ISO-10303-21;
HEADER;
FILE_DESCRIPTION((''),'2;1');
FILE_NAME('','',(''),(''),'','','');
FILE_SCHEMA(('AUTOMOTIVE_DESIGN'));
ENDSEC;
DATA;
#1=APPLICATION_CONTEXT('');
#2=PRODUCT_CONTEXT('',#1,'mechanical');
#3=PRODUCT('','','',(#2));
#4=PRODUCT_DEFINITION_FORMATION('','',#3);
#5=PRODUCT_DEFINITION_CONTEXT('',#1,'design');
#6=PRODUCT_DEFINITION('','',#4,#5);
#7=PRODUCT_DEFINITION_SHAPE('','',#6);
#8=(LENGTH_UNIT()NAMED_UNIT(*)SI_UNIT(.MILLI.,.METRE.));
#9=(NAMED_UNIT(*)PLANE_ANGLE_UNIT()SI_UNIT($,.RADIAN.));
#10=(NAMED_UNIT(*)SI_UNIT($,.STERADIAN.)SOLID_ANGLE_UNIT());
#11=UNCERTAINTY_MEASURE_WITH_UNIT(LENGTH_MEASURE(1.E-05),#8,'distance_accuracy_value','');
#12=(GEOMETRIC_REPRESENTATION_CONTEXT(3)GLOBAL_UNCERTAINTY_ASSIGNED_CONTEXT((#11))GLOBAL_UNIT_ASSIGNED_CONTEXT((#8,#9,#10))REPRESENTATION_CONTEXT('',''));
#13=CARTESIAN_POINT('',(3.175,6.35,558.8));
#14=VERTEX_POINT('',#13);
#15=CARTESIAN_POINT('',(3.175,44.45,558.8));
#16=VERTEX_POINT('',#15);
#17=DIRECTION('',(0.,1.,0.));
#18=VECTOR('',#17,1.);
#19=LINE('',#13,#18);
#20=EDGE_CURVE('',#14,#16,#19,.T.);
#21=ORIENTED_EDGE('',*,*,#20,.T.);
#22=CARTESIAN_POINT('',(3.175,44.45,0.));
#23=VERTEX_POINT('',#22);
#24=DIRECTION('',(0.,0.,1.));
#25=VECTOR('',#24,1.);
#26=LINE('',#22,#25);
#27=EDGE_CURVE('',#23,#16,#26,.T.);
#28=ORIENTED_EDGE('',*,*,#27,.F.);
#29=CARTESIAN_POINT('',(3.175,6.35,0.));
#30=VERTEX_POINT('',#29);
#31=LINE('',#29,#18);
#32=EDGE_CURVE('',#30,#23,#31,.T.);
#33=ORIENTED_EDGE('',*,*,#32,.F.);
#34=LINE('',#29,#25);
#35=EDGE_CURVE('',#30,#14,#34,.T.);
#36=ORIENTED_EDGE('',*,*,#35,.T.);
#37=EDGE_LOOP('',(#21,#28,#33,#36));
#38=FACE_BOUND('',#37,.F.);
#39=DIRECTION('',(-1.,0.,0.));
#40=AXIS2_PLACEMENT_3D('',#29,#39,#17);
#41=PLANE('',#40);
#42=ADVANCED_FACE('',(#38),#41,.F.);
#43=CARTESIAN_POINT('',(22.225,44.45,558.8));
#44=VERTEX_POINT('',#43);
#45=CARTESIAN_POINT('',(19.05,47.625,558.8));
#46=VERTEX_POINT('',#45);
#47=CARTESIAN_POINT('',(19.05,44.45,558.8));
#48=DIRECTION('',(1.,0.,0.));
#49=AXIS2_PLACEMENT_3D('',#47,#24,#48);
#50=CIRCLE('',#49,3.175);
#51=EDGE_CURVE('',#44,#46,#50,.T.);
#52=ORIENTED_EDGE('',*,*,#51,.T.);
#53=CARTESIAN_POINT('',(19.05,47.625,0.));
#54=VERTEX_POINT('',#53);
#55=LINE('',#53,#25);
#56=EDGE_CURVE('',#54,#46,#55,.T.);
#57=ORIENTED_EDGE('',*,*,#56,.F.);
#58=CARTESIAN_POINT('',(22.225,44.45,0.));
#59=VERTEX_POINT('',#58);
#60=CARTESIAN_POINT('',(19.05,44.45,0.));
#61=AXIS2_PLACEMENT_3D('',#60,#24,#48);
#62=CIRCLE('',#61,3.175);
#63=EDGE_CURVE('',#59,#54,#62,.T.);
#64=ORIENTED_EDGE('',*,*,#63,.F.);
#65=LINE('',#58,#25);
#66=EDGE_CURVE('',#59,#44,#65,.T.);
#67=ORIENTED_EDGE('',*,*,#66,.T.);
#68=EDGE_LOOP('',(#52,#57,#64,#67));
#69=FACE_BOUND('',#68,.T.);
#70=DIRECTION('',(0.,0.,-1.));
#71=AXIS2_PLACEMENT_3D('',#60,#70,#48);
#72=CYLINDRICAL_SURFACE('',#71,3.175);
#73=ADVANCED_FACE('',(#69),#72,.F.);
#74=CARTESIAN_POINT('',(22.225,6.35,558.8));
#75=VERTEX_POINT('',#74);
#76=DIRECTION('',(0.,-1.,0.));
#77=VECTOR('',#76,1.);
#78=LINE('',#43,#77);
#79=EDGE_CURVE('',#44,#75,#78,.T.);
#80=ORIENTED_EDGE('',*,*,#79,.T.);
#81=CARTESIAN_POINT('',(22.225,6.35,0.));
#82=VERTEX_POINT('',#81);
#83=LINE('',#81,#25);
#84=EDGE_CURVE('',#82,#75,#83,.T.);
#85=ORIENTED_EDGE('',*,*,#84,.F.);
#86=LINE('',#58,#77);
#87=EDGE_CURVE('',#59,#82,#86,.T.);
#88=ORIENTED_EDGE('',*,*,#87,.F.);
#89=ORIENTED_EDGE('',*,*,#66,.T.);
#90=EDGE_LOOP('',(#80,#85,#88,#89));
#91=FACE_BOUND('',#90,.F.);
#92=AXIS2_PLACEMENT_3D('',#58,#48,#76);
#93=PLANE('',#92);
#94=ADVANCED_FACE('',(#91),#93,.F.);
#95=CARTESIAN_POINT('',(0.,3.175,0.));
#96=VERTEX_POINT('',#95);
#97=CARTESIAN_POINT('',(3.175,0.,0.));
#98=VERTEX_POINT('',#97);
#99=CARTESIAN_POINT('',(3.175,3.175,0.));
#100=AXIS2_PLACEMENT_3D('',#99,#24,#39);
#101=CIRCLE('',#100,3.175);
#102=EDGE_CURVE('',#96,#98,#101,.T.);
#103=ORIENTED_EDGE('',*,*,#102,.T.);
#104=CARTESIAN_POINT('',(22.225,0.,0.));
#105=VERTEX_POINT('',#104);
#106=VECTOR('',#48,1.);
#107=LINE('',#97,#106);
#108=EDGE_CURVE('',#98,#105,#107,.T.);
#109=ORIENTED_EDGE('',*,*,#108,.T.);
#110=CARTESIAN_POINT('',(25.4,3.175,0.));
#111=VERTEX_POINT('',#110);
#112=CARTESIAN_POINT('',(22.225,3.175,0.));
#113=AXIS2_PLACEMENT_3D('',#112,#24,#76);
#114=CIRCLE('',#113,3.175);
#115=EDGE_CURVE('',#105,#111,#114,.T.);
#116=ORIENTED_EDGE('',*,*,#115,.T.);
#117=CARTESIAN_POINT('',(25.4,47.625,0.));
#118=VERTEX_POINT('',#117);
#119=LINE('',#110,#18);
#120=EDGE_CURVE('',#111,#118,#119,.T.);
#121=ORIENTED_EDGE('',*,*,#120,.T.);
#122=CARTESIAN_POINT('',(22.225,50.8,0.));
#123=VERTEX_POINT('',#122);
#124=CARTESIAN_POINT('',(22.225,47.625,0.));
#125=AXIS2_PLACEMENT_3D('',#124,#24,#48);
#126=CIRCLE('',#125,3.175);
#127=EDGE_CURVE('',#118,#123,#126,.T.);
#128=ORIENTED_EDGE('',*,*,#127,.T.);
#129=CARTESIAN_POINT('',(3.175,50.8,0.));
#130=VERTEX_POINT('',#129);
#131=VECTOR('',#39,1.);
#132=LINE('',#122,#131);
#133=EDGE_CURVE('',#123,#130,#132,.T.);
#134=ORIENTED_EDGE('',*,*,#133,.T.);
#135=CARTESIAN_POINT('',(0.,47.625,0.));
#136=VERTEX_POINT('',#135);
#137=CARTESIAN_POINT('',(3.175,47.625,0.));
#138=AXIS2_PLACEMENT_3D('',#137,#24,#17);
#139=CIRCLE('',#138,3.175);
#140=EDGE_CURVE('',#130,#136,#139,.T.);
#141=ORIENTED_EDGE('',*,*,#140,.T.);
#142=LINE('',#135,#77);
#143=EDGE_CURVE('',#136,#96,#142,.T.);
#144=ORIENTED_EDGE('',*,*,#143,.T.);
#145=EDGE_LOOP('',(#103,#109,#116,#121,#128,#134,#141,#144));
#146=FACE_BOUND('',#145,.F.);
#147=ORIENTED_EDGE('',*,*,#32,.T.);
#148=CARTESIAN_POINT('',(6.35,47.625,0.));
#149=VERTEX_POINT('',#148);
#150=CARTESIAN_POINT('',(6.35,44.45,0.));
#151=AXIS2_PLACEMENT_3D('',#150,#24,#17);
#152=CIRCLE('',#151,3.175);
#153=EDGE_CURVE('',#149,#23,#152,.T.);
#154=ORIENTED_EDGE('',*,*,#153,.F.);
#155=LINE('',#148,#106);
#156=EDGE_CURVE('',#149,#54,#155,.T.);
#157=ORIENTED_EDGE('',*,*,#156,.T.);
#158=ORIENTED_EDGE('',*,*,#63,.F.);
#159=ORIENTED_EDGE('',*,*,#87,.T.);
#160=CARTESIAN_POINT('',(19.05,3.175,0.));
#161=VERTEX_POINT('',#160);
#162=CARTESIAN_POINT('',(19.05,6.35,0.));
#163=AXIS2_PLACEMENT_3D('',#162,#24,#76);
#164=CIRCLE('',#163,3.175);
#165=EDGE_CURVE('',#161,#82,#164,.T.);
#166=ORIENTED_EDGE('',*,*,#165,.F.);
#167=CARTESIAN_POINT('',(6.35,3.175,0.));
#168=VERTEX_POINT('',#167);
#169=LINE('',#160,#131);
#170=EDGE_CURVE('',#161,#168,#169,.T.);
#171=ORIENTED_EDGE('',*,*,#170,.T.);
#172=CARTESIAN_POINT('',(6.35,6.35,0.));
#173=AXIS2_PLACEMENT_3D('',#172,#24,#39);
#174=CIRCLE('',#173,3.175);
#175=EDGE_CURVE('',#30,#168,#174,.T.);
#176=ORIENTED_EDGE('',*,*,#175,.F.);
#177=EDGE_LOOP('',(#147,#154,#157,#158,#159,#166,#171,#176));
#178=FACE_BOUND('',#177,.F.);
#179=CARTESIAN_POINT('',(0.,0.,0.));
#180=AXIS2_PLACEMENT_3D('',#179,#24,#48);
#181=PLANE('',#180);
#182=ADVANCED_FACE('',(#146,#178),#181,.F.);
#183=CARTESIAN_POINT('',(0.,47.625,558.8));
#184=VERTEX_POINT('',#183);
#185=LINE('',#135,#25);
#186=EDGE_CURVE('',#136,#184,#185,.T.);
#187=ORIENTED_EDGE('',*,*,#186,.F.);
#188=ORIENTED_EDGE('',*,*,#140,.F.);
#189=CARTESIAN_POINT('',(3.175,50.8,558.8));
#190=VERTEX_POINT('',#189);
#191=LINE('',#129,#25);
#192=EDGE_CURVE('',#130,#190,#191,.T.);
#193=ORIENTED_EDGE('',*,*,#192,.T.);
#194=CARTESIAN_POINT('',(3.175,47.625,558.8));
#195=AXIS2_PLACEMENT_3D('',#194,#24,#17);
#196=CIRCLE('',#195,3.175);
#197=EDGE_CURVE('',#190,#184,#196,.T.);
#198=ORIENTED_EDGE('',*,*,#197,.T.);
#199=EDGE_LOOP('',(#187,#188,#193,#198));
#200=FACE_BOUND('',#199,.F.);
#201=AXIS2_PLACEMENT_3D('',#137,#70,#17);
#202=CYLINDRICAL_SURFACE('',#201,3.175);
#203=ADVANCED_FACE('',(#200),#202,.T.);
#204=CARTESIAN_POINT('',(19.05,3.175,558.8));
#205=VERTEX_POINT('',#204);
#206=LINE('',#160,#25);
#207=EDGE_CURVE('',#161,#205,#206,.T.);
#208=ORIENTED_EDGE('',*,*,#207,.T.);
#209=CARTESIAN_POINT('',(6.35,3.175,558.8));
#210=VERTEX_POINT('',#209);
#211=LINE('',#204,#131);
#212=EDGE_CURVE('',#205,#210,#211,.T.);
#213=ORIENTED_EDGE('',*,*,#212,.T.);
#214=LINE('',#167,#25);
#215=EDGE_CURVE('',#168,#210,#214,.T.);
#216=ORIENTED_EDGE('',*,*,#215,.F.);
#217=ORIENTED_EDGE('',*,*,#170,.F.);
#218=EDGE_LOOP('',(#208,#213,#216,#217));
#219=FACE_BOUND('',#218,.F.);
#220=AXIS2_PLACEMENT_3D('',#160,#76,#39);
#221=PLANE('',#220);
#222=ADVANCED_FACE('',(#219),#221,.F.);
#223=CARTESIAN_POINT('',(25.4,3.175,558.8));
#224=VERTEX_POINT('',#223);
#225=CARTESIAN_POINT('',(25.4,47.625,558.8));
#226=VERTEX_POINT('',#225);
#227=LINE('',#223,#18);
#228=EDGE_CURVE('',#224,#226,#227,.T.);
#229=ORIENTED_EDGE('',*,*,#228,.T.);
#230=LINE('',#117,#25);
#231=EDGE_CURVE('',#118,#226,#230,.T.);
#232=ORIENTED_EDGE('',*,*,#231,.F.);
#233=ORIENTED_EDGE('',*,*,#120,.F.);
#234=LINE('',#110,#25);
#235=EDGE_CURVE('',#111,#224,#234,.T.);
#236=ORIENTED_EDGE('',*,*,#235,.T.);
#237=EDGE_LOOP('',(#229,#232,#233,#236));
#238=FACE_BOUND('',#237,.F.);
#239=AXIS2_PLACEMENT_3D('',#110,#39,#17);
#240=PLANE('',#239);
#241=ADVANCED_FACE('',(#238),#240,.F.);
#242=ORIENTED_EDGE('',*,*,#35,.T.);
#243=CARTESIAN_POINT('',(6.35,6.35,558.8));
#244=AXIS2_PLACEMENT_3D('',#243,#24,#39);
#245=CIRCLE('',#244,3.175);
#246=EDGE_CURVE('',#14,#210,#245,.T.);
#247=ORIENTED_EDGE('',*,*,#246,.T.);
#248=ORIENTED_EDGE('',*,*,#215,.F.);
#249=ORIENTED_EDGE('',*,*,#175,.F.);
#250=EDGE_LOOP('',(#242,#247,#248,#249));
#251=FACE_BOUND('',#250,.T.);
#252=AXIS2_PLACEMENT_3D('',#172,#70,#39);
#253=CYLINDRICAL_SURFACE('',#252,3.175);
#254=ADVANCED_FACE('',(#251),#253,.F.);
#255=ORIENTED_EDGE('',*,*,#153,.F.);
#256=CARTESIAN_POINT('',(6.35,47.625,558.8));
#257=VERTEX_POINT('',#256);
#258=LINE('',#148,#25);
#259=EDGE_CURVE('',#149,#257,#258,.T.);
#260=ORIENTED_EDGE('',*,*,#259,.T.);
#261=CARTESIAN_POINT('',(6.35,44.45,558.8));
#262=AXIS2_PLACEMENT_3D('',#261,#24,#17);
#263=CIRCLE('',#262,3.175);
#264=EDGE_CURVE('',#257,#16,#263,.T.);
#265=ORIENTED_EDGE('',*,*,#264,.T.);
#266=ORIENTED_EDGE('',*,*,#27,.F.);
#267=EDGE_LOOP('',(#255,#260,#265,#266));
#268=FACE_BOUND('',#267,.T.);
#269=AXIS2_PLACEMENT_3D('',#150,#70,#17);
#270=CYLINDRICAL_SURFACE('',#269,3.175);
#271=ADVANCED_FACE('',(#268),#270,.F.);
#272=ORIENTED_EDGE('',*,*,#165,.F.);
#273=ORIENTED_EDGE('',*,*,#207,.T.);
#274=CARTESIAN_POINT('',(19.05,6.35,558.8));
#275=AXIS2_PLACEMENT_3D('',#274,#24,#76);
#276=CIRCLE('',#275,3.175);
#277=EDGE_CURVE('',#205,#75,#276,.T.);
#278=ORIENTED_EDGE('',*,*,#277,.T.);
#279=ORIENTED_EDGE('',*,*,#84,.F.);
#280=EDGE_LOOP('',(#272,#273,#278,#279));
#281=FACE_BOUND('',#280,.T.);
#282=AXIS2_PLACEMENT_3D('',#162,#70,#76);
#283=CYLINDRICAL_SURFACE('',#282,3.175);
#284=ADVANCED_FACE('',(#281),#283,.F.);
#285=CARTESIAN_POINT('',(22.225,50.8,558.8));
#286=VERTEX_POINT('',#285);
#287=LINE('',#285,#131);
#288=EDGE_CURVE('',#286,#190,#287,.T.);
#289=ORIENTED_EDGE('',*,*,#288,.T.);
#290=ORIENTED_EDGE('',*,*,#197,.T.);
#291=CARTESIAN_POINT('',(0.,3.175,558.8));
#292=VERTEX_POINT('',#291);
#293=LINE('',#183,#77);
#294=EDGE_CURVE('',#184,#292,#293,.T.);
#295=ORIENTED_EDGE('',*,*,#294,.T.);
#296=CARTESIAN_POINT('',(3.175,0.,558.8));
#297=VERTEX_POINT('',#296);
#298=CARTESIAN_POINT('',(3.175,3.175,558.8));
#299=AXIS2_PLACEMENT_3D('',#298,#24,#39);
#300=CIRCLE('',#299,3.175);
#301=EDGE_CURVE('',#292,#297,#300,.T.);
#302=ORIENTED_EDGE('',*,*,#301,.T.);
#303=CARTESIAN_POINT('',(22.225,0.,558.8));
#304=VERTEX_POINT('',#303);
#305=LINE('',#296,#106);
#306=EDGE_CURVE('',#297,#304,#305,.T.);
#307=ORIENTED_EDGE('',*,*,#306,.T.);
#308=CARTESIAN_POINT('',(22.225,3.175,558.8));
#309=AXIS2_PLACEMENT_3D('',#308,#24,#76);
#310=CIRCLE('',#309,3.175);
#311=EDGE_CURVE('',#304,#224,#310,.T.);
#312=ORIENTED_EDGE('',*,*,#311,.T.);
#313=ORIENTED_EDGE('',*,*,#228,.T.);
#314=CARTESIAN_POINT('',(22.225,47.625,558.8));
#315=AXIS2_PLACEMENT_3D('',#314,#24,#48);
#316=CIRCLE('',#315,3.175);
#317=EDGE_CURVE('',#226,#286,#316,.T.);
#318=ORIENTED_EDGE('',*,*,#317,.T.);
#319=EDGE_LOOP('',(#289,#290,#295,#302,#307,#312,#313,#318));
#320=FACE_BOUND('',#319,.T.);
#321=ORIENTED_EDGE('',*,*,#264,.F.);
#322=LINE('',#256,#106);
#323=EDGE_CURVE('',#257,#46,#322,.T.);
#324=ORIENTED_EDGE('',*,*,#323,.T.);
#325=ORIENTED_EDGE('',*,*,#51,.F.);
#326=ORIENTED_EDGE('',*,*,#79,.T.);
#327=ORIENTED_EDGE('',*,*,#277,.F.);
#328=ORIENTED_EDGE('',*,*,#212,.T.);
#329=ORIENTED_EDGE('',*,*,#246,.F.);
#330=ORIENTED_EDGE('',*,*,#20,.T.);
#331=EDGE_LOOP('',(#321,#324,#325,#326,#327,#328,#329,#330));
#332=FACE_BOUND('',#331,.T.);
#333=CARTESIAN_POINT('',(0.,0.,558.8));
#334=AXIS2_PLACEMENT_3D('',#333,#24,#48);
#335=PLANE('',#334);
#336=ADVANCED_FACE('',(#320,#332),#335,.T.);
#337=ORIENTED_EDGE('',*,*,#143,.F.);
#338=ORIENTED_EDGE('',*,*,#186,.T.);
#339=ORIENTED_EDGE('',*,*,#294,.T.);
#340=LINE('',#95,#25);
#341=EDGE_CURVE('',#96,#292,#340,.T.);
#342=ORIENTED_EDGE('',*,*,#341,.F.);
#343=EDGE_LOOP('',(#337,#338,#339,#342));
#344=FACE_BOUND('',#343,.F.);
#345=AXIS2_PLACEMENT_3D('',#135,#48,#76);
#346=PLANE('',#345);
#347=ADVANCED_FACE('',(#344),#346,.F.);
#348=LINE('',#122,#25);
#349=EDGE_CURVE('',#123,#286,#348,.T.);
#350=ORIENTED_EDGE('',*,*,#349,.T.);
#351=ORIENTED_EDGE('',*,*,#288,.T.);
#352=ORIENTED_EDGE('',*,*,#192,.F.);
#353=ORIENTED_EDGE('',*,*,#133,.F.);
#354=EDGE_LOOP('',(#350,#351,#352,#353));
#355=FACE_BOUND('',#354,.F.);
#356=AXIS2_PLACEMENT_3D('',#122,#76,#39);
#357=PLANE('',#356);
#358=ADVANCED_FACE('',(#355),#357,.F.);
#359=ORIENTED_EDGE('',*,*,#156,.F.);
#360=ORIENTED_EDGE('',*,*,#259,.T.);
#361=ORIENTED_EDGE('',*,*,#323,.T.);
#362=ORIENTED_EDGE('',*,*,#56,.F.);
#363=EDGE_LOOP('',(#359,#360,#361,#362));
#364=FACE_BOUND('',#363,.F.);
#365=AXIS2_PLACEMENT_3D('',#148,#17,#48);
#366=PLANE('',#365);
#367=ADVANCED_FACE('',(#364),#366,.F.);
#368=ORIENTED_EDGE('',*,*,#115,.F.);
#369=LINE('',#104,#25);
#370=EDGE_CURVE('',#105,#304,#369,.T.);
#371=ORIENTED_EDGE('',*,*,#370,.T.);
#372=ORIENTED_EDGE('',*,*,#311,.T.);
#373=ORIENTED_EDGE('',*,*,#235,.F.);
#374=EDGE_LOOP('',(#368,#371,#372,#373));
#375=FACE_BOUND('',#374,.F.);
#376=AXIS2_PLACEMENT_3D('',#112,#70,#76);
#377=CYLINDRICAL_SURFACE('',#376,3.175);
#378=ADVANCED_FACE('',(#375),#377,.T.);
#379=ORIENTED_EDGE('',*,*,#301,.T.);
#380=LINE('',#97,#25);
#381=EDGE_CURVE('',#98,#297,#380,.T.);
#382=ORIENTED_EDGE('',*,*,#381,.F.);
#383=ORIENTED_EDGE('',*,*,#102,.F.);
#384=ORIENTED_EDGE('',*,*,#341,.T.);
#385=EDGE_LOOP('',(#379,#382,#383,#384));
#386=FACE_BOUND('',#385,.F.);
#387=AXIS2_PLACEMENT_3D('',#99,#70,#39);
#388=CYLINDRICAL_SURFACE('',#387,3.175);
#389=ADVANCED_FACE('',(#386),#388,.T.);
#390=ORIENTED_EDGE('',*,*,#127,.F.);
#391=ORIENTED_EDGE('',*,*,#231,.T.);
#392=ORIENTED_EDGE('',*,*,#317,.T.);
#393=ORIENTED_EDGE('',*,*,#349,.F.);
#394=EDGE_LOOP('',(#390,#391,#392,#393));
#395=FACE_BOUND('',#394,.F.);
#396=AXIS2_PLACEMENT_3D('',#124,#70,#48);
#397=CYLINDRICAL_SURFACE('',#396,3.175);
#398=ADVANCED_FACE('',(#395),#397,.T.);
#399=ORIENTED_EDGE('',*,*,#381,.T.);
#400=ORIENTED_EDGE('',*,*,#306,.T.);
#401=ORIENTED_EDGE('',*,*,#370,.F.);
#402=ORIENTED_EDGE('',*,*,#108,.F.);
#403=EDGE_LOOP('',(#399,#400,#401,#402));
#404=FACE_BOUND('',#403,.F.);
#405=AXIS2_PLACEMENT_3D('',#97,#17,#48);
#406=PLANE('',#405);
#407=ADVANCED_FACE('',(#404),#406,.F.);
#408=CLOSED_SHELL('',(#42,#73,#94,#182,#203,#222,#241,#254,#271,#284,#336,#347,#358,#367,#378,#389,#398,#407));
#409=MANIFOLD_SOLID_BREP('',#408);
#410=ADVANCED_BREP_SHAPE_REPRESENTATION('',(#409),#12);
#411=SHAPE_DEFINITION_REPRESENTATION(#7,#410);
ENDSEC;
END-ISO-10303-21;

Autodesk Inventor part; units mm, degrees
ref_plane "YZ Plane" through (0, 0, 0) normal (1, 0, 0) x (0, 1, 0)
ref_plane "XZ Plane" through (0, 0, 0) normal (0, 1, 0) x (-1, 0, 0)
ref_plane "XY Plane" through (0, 0, 0) normal (0, 0, 1) x (1, 0, 0)
sketch "Sketch1" plane through (0, 0, 0) normal (0, 0, 1) x (1, 0, 0)
  line L0 (3.175, 0) -> (22.225, 0)
  line L1 (25.4, 3.175) -> (25.4, 47.625)
  line L2 (22.225, 50.8) -> (3.175, 50.8)
  line L3 (0, 47.625) -> (0, 3.175)
  arc A0 (3.175, 50.8) -> (0, 47.625) centre (3.175, 47.625) ccw
  arc A1 (25.4, 47.625) -> (22.225, 50.8) centre (22.225, 47.625) ccw
  arc A2 (22.225, 0) -> (25.4, 3.175) centre (22.225, 3.175) ccw
  arc A3 (0, 3.175) -> (3.175, 0) centre (3.175, 3.175) ccw
  line L4 (6.35, 47.625) -> (19.05, 47.625)
  line L5 (22.225, 44.45) -> (22.225, 6.35)
  line L6 (19.05, 3.175) -> (6.35, 3.175)
  line L7 (3.175, 6.35) -> (3.175, 44.45)
  arc A4 (6.35, 47.625) -> (3.175, 44.45) centre (6.35, 44.45) ccw
  arc A5 (22.225, 44.45) -> (19.05, 47.625) centre (19.05, 44.45) ccw
  arc A6 (3.175, 6.35) -> (6.35, 3.175) centre (6.35, 6.35) ccw
  arc A7 (19.05, 3.175) -> (22.225, 6.35) centre (19.05, 6.35) ccw
  point P0 (0, 0)
  point P1 (25.4, 0)
  point P2 (0, 50.8)
  dimension "d0" = 50.8
  dimension "d1" = 25.4
  dimension "d2" = 3.175
  dimension "d3" = 3.175
  dimension "d4" = 3.175
  dimension "d5" = 3.175
  dimension "d6" = 3.175
  dimension "d7" = 3.175
  dimension "d8" = 3.175
  dimension "d9" = 3.175
  dimension "d10" = 3.175
extrude "Extrusion1" add sketch "Sketch1" along normal blind 558.8
properties part number "O channel 22 inch"
